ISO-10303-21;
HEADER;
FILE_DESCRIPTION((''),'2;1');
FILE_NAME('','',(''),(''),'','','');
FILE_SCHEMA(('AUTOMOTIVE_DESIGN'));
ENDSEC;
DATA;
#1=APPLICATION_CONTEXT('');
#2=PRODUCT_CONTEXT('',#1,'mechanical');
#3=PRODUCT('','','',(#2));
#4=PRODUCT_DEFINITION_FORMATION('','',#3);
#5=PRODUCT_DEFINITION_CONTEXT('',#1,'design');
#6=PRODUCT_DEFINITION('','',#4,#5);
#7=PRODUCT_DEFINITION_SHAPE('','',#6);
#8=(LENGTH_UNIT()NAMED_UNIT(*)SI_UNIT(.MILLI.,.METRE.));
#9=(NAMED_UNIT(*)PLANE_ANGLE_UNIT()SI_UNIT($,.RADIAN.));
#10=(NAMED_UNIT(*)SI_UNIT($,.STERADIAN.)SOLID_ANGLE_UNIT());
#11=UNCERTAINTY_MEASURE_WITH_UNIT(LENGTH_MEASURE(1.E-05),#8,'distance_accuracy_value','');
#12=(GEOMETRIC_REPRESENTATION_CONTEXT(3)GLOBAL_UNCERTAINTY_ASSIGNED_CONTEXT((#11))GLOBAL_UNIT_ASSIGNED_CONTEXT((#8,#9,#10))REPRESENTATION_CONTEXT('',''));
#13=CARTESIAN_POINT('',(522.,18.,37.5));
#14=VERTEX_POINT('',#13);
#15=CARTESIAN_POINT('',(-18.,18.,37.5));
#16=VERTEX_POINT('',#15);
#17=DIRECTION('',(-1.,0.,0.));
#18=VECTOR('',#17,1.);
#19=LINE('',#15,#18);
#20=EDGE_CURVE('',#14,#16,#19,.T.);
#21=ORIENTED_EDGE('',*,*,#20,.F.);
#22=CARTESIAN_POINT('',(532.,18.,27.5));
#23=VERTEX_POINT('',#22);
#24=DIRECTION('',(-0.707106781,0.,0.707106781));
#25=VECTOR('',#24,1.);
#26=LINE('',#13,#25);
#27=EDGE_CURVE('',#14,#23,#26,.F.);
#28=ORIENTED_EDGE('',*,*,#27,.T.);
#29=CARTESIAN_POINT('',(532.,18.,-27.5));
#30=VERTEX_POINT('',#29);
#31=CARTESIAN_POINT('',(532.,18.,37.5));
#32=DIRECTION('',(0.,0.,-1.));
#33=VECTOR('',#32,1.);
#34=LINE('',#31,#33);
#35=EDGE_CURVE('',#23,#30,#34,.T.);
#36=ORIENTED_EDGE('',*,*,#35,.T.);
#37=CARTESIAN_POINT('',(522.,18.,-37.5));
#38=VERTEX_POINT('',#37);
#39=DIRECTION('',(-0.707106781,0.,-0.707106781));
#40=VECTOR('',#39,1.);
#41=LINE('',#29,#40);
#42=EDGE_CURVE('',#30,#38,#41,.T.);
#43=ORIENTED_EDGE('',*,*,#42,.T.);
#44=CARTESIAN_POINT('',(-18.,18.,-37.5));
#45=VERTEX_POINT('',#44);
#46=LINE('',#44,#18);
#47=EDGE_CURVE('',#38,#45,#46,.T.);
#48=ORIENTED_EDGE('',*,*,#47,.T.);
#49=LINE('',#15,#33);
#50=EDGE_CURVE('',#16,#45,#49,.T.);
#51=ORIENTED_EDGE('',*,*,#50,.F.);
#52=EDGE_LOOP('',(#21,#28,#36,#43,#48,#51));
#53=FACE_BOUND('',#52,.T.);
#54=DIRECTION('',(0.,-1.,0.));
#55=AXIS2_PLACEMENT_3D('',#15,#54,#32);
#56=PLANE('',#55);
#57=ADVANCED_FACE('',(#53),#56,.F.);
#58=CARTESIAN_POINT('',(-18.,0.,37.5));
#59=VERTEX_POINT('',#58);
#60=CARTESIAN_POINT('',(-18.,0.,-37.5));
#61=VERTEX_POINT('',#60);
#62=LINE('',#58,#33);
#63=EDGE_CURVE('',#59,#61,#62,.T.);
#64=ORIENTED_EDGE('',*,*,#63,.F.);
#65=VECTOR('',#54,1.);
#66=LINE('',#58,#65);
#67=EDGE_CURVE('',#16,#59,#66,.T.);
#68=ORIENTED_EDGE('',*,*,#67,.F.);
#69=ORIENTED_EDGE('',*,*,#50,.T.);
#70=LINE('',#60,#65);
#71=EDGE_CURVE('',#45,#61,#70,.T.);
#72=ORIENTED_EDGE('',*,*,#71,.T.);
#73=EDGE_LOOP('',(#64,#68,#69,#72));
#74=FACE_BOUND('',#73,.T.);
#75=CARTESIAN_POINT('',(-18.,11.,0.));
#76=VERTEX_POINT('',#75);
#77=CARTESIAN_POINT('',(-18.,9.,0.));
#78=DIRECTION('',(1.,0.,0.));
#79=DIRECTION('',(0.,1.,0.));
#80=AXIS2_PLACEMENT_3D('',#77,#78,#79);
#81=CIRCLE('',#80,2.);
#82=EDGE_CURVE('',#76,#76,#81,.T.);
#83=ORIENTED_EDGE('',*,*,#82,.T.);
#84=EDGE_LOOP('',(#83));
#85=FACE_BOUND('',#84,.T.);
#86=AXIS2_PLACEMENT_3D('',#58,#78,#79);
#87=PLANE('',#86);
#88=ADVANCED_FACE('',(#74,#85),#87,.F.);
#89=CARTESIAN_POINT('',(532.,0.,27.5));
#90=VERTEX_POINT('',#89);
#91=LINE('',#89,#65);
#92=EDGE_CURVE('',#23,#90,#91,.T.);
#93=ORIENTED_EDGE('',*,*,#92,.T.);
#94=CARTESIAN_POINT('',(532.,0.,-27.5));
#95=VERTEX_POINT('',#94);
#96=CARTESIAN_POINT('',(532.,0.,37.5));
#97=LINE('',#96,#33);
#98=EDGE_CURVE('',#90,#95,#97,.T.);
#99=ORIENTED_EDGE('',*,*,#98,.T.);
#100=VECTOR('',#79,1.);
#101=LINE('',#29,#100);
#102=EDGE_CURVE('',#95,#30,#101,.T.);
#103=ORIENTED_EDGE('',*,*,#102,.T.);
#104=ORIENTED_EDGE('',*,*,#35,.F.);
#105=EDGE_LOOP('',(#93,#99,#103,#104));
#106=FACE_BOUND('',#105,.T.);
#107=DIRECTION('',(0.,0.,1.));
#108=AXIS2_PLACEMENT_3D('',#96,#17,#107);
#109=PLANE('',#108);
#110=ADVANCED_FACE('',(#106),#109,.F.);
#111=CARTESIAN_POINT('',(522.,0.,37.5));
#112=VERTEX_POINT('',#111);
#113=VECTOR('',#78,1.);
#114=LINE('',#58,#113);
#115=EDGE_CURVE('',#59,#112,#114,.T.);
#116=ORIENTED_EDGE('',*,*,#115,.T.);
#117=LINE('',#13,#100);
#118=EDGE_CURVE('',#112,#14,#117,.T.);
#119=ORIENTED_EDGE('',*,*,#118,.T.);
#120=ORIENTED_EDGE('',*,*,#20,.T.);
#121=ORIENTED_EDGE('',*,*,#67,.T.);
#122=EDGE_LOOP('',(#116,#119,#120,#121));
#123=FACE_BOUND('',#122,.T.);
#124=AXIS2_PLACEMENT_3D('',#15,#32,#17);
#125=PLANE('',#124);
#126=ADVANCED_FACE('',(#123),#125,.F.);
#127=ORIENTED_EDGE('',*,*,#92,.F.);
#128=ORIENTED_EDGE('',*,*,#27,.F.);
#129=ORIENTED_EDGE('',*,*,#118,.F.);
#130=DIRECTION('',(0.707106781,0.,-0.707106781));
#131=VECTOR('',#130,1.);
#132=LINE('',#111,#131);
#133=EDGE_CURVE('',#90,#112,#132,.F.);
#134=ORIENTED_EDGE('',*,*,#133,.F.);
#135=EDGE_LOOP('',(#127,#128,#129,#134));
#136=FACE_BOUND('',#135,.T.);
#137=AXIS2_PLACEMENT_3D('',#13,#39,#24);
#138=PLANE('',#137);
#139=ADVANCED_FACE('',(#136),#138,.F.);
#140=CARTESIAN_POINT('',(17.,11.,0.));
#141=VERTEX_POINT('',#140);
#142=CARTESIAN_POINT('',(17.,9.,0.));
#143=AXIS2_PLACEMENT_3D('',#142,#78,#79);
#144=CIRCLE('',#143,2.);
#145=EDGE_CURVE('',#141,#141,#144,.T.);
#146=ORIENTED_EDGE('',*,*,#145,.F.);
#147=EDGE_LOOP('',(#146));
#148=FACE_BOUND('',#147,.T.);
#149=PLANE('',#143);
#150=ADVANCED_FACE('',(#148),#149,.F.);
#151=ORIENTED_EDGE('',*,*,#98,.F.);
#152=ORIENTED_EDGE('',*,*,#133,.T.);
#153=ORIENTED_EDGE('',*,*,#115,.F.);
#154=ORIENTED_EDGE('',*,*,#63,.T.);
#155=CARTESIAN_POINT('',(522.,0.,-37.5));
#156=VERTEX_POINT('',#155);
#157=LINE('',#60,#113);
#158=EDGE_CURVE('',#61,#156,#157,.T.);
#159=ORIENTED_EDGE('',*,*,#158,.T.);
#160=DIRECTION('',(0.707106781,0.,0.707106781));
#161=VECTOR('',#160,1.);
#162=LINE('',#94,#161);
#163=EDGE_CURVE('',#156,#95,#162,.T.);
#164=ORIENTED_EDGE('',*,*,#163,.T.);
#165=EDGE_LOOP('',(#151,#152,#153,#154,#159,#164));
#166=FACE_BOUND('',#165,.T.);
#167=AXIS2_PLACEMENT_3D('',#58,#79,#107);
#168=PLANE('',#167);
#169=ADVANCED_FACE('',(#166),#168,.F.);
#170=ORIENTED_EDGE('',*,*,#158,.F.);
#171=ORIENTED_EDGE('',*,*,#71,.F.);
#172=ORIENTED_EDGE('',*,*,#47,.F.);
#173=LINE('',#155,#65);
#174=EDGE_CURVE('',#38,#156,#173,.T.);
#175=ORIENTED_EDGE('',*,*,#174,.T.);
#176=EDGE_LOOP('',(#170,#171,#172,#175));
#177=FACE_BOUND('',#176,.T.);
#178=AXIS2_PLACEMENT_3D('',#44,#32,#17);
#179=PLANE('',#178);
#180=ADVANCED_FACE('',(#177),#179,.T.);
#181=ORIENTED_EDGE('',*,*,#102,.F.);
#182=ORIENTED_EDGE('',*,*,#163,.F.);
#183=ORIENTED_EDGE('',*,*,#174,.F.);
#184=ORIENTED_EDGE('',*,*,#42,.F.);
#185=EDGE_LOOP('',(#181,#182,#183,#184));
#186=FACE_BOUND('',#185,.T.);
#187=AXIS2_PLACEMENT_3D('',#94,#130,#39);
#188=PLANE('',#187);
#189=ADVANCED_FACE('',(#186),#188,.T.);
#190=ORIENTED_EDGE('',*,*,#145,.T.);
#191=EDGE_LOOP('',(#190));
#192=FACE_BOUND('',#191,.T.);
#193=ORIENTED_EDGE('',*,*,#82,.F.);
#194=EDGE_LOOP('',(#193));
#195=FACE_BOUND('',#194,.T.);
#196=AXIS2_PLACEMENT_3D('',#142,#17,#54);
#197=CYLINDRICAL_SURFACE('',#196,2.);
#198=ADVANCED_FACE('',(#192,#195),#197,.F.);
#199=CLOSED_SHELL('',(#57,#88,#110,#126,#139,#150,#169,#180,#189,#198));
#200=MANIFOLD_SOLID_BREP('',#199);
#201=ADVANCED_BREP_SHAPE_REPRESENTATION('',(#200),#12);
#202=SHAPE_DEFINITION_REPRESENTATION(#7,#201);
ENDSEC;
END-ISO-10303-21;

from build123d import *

# Parameters (mm, degrees)
SKETCH1_W           = 550
SKETCH1_H           = 18
BOSS_EXTRUDE1_DEPTH = 37.5
CHAMFER1_SIZE       = 10
SKETCH3_R           = 2
CUT_EXTRUDE1_DEPTH  = 35


with BuildPart() as part:
    # Sketch1 → Boss-Extrude1 (new, symmetric)
    with BuildSketch(Plane.XY):
        with Locations((257, 9)):
            Rectangle(SKETCH1_W, SKETCH1_H)
    extrude(amount=BOSS_EXTRUDE1_DEPTH, both=True)

    # Chamfer1
    chamfer1_edges = [part.edges().sort_by_distance(p)[0] for p in [
        (532, 9, 37.5),
        (532, 9, -37.5),
    ]]
    chamfer(chamfer1_edges, length=CHAMFER1_SIZE)

    # Sketch3 → Cut-Extrude1 (cut)
    with BuildSketch(Plane(origin=(-18, 0, 0), x_dir=(0, 0, -1), z_dir=(1, 0, 0))):
        with Locations(Location((0, 9, 0), (0, 0, 90))):
            Circle(SKETCH3_R)
    extrude(amount=CUT_EXTRUDE1_DEPTH, mode=Mode.SUBTRACT)


solid = part.part
